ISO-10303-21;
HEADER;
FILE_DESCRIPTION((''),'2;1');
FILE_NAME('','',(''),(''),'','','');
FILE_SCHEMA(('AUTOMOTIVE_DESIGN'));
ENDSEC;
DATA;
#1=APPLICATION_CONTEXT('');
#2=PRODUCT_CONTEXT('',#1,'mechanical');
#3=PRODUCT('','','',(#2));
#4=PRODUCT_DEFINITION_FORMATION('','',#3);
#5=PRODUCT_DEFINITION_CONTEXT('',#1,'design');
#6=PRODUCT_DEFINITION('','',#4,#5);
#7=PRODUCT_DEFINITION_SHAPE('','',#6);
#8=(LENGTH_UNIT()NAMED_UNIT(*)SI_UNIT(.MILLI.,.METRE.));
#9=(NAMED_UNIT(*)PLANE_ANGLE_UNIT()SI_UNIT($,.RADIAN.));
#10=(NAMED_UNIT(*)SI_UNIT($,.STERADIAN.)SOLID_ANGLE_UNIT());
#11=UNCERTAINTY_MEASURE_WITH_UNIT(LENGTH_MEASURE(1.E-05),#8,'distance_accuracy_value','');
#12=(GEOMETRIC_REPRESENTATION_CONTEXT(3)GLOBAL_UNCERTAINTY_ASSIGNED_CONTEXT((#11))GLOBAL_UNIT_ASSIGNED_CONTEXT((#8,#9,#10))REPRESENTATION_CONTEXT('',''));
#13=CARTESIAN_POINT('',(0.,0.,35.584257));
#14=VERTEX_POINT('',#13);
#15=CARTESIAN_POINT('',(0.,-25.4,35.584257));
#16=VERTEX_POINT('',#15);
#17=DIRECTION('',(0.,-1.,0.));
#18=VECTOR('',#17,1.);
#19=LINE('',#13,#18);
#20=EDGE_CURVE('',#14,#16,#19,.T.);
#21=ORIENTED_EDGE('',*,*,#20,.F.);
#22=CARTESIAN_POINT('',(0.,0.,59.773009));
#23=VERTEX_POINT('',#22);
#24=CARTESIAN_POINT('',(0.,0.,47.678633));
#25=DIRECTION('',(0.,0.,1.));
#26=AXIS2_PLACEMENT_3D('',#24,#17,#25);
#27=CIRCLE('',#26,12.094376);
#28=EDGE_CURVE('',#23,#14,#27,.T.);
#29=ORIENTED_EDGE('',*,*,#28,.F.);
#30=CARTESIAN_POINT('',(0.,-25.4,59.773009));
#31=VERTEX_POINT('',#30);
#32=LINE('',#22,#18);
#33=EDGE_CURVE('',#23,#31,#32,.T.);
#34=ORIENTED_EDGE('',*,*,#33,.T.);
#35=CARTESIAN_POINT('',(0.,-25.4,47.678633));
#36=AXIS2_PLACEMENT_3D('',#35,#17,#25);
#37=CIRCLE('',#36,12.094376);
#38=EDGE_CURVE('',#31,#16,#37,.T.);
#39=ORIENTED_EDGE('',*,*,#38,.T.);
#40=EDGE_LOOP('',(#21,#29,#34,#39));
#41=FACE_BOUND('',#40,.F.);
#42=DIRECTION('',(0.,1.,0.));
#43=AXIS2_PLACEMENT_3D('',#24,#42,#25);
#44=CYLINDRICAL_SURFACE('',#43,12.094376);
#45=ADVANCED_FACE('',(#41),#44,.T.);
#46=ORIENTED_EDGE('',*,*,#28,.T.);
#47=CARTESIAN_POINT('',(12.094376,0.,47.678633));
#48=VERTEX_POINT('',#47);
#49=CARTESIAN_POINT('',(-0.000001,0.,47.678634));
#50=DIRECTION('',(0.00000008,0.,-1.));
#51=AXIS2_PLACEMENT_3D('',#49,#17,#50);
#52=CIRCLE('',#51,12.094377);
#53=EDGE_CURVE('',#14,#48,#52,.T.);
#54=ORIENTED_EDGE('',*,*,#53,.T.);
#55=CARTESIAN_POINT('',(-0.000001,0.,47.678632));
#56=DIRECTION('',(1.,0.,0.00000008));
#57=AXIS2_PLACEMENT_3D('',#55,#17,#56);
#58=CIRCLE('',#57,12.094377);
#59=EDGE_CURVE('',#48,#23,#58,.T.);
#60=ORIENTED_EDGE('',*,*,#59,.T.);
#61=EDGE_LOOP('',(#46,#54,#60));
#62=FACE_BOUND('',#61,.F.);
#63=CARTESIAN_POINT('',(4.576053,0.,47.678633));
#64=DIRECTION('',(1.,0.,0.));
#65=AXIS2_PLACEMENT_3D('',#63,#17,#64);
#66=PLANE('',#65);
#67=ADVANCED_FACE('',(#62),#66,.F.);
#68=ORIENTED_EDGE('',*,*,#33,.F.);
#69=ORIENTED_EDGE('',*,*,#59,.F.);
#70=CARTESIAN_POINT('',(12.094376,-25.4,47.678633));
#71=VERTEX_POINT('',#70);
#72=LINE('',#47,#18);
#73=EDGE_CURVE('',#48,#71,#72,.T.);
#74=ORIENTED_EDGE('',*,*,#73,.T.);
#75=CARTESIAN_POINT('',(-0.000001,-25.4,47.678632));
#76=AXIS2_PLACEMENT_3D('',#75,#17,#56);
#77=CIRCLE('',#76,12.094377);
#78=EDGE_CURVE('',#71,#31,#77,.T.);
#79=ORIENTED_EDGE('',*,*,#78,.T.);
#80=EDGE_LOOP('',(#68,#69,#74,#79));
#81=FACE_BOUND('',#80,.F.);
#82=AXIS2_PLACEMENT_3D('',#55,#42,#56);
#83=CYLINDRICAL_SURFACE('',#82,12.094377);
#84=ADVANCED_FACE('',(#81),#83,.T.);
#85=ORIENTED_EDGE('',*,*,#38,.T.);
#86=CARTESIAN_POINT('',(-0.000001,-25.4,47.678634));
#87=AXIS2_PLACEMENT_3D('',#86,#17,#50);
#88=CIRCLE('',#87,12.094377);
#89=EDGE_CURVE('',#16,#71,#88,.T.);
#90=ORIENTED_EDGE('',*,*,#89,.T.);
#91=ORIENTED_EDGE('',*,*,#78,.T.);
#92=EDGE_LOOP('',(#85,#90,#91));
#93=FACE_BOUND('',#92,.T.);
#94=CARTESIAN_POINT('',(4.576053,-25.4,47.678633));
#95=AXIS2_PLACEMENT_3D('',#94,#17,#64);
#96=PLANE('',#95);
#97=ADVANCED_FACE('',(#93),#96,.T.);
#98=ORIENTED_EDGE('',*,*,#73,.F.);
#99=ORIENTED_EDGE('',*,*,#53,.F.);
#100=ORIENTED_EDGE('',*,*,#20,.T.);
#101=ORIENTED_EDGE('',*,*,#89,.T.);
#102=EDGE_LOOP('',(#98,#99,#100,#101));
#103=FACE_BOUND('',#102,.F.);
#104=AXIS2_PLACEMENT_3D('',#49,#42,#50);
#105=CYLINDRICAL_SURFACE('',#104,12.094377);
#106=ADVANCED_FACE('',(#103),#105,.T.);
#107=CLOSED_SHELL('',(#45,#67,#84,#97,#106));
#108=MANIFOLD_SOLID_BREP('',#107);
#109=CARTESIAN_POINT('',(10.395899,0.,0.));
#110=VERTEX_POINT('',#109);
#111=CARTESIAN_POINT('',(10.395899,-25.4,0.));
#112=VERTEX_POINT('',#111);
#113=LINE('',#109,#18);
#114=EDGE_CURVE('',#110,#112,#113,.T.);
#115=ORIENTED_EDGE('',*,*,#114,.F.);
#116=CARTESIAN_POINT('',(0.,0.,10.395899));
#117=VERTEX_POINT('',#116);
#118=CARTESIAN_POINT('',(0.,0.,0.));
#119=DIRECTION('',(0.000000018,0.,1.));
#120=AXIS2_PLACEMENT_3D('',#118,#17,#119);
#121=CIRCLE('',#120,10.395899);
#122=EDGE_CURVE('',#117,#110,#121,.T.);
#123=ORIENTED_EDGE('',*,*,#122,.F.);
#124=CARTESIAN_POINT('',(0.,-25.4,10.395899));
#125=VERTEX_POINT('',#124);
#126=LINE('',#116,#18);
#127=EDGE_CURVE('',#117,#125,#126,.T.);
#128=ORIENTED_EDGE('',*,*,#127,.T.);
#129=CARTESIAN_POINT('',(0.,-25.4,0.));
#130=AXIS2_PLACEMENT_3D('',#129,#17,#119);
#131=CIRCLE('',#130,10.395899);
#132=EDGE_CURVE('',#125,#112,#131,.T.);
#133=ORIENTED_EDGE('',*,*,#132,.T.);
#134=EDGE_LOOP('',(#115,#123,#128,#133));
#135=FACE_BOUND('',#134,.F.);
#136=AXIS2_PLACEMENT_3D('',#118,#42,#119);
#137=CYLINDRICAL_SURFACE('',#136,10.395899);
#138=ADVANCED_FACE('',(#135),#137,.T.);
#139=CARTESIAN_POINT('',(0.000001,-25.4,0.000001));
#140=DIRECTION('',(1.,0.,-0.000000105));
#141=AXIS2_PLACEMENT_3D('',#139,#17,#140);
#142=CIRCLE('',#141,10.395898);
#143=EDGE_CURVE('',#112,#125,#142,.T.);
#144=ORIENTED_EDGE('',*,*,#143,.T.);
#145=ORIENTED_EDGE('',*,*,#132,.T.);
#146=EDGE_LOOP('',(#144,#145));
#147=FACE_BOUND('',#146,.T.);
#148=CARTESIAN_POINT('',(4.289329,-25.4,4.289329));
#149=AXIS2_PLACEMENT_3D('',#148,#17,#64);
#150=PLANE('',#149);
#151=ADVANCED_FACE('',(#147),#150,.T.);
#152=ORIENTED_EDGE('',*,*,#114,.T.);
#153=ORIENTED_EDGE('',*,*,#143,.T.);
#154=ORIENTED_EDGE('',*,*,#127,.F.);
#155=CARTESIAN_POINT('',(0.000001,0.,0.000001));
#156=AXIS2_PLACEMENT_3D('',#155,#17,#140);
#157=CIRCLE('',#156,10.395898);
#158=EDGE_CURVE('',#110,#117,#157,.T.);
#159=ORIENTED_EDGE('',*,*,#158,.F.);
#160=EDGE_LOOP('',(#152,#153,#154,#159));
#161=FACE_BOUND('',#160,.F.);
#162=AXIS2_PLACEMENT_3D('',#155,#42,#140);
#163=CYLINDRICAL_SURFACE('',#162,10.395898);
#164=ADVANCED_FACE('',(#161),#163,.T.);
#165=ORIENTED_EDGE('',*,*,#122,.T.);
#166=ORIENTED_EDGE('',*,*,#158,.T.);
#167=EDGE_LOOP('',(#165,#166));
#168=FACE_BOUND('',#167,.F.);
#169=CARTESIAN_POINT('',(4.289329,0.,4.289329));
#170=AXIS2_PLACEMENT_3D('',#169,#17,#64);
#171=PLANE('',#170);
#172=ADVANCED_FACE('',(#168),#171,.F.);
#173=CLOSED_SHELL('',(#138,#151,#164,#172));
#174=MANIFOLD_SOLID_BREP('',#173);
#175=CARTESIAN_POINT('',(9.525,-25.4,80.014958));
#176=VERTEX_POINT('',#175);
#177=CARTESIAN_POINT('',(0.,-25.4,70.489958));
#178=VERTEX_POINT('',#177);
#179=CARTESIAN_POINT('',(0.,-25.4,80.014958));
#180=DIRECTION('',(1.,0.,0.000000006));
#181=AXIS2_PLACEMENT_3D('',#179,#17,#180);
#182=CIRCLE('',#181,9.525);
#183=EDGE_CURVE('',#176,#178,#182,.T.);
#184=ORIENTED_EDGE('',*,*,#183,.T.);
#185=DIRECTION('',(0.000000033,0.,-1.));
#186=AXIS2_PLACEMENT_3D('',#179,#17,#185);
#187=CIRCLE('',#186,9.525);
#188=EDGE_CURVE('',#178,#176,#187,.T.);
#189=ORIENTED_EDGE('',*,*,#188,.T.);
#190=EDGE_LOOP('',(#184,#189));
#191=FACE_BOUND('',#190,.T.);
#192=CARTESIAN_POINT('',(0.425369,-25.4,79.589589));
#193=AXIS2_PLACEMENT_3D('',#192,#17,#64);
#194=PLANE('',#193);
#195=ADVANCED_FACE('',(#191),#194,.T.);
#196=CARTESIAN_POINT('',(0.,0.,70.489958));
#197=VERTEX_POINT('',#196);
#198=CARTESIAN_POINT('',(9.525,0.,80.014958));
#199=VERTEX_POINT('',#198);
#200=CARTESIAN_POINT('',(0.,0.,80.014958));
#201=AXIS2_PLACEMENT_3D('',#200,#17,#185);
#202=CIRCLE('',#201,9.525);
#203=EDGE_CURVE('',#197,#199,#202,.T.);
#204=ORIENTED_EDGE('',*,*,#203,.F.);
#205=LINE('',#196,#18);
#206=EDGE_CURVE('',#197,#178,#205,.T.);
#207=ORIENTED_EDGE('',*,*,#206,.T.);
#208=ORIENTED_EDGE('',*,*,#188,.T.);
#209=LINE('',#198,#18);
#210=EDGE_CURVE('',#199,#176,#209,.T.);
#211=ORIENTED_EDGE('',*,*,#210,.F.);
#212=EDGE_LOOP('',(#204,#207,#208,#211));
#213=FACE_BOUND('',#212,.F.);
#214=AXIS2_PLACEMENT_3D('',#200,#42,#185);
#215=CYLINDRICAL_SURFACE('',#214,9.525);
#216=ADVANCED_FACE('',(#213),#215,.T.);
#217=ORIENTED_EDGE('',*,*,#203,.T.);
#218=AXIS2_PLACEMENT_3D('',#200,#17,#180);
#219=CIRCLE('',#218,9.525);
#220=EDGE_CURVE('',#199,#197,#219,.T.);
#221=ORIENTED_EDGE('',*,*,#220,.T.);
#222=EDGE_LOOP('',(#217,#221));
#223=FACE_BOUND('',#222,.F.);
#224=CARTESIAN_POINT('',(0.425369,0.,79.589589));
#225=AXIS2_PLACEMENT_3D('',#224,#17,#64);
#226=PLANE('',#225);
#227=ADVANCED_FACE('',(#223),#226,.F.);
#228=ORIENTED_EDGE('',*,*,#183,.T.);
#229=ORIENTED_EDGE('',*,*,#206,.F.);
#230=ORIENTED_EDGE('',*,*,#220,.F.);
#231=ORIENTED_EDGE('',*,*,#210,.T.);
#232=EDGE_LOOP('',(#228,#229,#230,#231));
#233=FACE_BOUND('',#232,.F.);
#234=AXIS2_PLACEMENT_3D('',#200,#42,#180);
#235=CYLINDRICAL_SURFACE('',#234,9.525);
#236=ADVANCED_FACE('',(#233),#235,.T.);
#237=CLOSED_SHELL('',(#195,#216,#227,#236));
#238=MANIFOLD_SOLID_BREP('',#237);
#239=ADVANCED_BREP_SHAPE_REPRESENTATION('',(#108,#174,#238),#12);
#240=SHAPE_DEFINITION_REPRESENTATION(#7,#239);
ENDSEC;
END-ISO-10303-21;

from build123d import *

# Parameters (mm, degrees)
F1_DEPTH = 25.4


with BuildPart() as f1:
    # F0 (on Front) → F1 (new body)
    with BuildSketch(Plane.XZ):
        with BuildLine():
            ThreePointArc((10.395899, 0), (7.351011, 7.351011), (0, 10.395899))
            Line((0, 10.395899), (0, 0))
            Line((0, 0), (10.395899, 0))
        make_face()
        with BuildLine():
            Line((0, 0), (0, 10.395899))
            ThreePointArc((0, 10.395899), (-7.351011, -7.351011), (10.395899, 0))
            Line((10.395899, 0), (0, 0))
        make_face()
        with BuildLine():
            ThreePointArc((12.094376, 47.678633), (8.552015, 56.230648), (0, 59.773009))
            Line((0, 59.773009), (0, 35.584257))
            ThreePointArc((0, 35.584257), (8.552015, 39.126618), (12.094376, 47.678633))
        make_face()
        with BuildLine():
            Line((0, 35.584257), (0, 59.773009))
            ThreePointArc((0, 59.773009), (-12.094376, 47.678633), (0, 35.584257))
        make_face()
        with BuildLine():
            ThreePointArc((9.525, 80.014958), (-6.735192, 86.75015), (0, 70.489958))
            ThreePointArc((0, 70.489958), (6.735192, 73.279766), (9.525, 80.014958))
        make_face()
    extrude(amount=F1_DEPTH)


solid = f1.part
